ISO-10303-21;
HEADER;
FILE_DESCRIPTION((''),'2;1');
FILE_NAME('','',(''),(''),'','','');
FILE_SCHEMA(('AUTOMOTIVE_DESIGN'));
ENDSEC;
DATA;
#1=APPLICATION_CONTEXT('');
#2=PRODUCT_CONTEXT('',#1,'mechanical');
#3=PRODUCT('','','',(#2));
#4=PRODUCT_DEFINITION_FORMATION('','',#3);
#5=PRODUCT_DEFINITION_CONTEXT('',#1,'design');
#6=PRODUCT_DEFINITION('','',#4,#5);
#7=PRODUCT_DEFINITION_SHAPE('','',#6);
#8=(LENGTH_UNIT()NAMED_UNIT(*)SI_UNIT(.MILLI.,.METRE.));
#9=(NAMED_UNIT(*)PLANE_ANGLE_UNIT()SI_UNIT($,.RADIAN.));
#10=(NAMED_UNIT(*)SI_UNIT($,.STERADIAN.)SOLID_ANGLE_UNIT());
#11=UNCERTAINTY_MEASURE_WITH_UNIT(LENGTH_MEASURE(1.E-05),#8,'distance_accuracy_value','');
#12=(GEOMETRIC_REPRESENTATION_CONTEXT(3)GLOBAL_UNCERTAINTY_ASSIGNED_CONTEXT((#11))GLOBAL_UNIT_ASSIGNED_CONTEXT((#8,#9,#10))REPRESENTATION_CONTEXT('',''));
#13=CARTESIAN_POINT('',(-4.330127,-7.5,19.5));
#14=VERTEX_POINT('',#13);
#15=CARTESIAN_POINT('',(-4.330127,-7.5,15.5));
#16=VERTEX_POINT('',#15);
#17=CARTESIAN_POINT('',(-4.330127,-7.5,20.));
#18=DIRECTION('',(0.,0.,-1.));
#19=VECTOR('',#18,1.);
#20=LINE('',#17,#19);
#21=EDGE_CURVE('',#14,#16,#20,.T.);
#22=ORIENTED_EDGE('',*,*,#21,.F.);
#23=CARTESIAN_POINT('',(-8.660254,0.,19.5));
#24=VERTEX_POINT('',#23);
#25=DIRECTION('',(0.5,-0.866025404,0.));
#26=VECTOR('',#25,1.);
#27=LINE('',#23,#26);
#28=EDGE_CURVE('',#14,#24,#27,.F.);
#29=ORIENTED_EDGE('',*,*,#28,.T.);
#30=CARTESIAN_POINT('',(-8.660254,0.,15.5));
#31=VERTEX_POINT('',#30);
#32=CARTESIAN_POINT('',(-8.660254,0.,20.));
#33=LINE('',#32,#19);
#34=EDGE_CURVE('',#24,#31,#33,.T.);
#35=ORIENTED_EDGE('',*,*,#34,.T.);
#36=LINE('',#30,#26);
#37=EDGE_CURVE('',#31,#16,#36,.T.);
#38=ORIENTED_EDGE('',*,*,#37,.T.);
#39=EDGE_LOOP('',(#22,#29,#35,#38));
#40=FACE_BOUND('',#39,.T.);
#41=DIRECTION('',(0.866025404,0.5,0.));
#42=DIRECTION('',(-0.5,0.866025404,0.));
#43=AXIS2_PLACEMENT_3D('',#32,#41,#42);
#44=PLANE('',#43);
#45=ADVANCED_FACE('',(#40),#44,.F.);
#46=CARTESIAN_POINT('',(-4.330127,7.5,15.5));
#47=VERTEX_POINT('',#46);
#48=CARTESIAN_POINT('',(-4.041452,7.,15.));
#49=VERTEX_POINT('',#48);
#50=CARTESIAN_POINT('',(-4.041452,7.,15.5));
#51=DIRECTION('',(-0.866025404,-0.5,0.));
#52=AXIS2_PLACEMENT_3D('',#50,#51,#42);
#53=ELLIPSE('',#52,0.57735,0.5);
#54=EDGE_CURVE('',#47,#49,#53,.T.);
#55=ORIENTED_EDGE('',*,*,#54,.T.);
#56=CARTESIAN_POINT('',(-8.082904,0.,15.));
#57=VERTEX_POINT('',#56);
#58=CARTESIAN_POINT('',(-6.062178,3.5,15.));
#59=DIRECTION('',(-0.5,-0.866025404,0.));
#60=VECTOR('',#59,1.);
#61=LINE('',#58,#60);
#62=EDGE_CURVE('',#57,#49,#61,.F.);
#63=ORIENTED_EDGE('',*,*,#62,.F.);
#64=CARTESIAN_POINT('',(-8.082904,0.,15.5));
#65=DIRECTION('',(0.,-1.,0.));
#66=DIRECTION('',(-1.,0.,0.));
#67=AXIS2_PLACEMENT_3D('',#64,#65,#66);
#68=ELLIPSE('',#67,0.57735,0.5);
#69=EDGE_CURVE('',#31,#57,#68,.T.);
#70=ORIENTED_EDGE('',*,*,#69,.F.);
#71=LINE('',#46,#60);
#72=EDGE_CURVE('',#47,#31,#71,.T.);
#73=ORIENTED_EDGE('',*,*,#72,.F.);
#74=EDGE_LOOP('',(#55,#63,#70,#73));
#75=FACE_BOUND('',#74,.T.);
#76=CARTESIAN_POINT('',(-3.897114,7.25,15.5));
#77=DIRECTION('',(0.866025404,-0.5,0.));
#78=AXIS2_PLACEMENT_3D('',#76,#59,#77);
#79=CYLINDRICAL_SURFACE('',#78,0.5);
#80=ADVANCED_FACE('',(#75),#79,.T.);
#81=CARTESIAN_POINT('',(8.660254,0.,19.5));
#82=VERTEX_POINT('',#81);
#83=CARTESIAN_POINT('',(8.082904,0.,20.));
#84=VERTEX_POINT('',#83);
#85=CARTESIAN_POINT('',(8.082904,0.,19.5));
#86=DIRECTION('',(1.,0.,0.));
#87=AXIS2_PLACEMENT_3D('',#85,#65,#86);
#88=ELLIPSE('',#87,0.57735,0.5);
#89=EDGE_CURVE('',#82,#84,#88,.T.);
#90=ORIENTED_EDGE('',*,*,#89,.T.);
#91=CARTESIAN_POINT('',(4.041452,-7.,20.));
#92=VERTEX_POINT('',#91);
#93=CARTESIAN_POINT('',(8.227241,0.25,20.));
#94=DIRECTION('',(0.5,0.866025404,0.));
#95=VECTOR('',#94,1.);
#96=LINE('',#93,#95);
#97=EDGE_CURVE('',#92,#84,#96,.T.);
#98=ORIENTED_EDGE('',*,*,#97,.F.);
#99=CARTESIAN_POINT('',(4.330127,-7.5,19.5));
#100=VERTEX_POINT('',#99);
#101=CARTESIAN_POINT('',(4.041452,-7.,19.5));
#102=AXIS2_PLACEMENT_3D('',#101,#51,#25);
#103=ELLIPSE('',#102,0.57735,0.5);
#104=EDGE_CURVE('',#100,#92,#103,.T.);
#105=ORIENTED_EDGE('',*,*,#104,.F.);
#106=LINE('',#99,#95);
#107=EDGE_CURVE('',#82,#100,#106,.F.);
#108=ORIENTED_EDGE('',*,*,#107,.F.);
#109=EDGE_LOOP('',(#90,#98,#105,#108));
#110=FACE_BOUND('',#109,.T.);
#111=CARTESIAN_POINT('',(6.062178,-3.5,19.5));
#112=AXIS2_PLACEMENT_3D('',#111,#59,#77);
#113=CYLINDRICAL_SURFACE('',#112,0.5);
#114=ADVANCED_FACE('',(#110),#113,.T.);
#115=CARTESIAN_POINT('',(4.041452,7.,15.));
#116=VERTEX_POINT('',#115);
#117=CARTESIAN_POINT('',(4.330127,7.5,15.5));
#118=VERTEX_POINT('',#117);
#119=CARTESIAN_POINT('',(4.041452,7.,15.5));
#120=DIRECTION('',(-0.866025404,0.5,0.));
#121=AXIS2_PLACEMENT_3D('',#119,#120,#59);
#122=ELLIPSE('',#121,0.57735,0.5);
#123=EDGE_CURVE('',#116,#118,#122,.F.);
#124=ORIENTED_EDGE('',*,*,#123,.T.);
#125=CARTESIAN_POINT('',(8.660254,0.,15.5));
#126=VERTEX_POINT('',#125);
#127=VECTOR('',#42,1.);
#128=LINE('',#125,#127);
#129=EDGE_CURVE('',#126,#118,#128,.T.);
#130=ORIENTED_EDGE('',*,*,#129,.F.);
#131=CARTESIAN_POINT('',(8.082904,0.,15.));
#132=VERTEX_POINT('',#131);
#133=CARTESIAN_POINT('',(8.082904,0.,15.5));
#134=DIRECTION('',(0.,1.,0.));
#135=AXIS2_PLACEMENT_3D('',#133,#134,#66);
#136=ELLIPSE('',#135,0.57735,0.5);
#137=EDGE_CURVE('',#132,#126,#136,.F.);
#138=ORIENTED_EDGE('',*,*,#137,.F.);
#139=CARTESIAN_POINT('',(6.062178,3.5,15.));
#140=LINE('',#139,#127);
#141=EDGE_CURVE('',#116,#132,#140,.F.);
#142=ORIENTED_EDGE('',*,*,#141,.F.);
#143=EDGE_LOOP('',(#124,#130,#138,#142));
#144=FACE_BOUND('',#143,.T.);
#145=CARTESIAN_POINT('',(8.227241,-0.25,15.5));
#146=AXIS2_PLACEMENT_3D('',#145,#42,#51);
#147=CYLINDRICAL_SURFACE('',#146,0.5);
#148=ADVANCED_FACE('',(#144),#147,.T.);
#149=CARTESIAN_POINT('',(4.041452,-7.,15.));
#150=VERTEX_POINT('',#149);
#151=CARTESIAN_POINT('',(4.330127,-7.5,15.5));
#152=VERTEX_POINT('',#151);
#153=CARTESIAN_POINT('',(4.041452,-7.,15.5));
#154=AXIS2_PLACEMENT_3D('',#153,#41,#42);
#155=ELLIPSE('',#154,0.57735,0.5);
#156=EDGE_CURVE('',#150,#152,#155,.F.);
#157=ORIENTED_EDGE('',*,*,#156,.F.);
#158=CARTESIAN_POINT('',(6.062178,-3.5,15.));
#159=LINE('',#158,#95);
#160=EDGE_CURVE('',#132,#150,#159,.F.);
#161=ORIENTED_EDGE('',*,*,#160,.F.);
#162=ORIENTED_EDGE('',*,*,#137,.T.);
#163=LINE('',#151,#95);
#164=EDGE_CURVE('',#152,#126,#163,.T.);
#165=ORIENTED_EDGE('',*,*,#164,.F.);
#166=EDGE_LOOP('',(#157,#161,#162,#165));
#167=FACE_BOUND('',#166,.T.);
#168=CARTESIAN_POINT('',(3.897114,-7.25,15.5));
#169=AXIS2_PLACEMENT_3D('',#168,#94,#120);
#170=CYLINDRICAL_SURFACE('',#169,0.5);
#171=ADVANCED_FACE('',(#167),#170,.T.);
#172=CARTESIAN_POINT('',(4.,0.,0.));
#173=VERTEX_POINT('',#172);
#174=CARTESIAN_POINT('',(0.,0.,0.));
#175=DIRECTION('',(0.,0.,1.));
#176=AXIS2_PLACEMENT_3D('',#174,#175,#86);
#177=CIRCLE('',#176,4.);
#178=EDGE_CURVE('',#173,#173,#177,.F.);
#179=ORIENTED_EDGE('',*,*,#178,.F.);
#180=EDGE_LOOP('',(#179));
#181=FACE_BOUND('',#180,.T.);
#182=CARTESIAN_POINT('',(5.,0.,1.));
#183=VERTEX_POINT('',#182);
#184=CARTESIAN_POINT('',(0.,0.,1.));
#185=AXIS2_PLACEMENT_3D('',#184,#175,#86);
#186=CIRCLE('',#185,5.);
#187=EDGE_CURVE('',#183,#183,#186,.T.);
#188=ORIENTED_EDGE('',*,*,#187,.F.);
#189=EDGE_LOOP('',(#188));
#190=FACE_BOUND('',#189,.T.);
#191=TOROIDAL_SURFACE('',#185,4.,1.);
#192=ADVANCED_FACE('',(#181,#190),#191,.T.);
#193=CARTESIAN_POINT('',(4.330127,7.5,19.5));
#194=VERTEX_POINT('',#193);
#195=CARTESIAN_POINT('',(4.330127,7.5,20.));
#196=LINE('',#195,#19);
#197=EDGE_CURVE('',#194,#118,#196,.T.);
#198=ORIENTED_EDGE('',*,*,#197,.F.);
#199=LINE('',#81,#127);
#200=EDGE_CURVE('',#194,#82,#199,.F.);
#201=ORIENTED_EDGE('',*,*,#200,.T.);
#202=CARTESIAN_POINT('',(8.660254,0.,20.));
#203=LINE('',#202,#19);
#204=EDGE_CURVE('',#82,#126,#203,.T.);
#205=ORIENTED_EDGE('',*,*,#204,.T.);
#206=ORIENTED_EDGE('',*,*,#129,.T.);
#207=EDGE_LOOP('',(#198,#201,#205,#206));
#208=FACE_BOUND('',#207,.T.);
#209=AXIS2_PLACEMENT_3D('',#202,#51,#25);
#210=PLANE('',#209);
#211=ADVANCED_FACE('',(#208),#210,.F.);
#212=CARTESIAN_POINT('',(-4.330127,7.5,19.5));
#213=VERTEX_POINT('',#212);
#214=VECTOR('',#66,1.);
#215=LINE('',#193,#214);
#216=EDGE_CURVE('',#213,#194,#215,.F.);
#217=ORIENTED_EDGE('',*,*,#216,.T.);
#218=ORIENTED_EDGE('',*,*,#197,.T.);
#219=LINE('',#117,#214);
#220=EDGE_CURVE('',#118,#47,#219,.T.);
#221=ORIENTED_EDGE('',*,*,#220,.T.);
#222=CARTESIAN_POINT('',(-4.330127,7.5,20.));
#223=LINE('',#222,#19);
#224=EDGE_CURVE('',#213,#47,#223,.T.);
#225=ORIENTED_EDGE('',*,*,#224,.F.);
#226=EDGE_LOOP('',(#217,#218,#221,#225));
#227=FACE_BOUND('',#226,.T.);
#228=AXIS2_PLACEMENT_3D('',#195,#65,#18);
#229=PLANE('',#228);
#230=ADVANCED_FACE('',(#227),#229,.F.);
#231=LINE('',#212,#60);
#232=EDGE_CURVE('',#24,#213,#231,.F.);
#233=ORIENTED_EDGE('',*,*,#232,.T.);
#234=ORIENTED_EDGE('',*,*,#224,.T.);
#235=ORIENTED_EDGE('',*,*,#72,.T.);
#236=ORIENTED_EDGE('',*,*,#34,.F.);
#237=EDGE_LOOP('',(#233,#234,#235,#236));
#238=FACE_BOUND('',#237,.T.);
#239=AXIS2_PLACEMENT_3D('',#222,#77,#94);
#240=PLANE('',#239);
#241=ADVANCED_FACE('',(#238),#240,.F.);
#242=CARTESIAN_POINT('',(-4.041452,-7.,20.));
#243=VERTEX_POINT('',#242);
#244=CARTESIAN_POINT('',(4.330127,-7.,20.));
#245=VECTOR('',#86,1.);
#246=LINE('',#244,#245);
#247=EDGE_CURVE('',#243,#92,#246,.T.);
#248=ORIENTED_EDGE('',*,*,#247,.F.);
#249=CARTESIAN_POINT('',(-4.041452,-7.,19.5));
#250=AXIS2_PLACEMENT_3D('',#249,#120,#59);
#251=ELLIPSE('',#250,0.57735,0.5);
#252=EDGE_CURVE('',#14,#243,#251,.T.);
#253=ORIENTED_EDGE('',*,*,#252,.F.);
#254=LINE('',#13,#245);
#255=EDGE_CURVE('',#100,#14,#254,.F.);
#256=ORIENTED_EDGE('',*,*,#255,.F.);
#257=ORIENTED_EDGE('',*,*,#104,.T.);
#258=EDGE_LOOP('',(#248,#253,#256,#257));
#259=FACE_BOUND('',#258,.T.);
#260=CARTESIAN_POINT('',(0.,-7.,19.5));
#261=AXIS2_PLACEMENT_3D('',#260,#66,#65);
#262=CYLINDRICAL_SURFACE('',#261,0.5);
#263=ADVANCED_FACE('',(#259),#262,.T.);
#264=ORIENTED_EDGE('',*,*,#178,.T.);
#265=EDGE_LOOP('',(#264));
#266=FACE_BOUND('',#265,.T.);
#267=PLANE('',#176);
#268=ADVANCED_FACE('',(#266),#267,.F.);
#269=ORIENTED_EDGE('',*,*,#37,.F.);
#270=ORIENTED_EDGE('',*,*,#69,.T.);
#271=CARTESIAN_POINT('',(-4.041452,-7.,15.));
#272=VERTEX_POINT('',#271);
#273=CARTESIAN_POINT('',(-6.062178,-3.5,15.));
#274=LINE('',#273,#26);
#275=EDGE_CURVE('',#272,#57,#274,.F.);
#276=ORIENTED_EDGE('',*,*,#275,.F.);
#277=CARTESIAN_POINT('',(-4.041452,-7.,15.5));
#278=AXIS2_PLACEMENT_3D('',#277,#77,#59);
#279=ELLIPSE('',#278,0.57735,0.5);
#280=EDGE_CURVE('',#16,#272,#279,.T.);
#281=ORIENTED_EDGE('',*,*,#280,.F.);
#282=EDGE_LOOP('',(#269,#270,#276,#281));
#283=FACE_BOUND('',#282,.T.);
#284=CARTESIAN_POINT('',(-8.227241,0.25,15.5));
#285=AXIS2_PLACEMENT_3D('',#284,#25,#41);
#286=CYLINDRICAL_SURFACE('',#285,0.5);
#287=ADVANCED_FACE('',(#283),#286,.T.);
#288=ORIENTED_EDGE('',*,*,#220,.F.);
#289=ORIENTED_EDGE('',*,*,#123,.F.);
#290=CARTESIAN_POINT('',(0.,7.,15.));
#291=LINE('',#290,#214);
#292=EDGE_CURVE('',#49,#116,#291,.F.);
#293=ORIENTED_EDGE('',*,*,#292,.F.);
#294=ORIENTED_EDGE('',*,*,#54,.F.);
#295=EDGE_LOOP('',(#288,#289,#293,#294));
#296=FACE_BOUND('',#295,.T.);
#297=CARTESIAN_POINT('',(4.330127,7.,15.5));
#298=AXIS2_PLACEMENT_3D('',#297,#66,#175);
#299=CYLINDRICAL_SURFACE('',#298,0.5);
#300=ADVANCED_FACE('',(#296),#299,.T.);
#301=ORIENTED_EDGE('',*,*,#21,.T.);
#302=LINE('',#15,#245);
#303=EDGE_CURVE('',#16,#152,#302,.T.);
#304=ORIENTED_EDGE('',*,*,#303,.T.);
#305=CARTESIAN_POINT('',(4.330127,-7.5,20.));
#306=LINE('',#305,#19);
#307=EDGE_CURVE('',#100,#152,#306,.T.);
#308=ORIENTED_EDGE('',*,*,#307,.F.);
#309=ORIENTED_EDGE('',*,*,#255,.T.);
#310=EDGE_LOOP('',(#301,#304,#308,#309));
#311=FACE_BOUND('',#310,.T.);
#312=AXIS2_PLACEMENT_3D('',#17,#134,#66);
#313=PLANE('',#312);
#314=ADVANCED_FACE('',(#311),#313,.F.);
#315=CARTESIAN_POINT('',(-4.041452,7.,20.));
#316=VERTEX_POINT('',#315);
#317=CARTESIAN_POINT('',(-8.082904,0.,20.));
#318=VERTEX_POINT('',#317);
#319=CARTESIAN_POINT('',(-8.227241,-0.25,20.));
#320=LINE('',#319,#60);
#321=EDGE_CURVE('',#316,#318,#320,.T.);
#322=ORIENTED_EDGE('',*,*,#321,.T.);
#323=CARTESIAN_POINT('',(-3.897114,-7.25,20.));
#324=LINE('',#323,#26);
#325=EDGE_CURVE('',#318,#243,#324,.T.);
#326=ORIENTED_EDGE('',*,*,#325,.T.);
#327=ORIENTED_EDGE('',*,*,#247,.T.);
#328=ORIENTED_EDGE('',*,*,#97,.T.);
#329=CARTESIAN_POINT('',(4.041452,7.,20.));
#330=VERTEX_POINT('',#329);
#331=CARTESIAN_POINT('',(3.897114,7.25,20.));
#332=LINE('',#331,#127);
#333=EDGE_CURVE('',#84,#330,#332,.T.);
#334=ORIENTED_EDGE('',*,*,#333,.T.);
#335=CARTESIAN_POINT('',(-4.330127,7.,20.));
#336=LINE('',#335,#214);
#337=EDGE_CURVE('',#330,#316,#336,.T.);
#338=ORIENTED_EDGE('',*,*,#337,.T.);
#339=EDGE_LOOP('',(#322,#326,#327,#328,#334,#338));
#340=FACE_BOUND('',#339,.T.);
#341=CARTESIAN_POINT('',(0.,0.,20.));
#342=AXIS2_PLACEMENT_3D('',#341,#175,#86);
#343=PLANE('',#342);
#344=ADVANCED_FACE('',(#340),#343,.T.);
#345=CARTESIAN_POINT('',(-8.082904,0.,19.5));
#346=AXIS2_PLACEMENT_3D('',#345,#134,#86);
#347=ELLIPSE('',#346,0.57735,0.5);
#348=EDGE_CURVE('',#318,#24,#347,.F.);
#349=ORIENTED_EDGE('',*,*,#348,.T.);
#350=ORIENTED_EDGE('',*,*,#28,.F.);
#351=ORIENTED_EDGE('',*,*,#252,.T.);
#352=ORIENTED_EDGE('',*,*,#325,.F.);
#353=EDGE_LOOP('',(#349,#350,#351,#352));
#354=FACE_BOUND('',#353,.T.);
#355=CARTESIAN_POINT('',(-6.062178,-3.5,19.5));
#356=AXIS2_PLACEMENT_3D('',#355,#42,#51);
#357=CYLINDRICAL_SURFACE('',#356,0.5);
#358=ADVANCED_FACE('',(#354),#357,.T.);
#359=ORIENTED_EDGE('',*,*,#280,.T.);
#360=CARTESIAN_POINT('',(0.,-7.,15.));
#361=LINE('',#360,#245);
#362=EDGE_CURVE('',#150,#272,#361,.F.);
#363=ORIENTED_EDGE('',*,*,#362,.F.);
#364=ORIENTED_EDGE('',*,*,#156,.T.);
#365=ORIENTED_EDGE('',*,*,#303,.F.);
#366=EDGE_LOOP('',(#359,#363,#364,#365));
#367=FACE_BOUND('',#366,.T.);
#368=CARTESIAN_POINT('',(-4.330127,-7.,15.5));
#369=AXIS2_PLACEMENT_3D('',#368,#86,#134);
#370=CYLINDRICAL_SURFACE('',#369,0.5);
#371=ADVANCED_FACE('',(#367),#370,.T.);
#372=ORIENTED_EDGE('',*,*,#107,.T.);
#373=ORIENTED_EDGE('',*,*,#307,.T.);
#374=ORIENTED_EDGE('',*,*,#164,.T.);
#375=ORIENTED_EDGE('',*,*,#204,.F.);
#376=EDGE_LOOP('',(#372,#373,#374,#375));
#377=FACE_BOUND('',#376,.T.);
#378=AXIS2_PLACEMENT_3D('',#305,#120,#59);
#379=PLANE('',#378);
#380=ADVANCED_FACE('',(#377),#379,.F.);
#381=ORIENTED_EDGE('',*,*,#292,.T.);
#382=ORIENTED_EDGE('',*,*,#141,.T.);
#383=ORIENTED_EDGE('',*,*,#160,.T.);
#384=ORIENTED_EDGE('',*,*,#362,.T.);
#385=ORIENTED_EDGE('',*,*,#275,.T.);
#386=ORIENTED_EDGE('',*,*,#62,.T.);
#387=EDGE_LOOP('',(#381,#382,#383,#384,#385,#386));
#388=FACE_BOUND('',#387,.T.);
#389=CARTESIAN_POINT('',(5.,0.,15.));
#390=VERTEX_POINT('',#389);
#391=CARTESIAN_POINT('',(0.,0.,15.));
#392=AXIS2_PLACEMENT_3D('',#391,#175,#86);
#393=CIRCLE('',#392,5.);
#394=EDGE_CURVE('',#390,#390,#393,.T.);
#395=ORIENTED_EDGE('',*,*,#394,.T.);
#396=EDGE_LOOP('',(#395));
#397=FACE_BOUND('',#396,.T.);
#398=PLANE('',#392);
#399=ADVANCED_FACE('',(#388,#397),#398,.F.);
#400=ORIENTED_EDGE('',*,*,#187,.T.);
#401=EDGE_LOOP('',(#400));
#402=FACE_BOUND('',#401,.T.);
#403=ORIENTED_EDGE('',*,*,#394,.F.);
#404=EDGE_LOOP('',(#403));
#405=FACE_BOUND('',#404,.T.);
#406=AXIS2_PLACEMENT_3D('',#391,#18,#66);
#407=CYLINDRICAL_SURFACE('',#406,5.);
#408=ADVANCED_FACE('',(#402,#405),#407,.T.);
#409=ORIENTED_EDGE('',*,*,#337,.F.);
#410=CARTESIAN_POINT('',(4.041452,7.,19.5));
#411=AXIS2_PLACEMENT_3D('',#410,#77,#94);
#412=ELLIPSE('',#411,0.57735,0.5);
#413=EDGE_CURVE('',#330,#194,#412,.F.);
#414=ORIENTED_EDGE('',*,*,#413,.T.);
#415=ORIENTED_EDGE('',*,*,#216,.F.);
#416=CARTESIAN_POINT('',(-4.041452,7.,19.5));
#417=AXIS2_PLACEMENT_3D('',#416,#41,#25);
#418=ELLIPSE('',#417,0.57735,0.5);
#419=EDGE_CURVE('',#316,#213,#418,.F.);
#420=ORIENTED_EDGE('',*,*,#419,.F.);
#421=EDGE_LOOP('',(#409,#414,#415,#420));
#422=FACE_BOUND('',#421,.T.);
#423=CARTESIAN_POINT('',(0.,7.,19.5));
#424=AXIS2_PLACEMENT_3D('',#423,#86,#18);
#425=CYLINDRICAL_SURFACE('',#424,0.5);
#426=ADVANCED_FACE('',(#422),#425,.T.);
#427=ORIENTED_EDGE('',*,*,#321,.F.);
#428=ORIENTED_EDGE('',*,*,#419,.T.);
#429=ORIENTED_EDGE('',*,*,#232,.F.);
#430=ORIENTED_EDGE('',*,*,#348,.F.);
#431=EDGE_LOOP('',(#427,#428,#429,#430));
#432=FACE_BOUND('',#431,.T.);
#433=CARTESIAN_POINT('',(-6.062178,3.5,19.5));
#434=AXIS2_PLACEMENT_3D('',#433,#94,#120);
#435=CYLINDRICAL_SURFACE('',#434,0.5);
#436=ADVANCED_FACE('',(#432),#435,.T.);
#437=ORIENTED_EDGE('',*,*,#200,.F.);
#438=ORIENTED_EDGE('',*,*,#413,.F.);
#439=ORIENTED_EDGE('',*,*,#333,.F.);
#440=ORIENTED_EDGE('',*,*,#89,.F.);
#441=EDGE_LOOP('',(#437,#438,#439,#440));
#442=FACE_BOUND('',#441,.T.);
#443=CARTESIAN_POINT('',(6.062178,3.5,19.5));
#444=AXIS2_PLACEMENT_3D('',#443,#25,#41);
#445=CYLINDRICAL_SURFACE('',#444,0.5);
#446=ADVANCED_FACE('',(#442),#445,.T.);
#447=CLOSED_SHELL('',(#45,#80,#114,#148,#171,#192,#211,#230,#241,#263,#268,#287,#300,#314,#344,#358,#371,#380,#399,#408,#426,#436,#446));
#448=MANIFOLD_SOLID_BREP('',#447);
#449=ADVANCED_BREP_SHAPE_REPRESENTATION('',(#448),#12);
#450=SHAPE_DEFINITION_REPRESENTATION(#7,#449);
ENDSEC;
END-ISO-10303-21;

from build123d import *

# Parameters (mm, degrees)
SKETCH_1_R      = 5
EXTRUDE_1_DEPTH = 15
EXTRUDE_2_DEPTH = 5
FILLET_1_R      = 0.5
FILLET_2_R      = 1


with BuildPart() as part:
    # 草图1 → 凸台-拉伸1 (new body)
    with BuildSketch(Plane.XY):
        Circle(SKETCH_1_R)
    extrude(amount=EXTRUDE_1_DEPTH)

    # 草图2 → 凸台-拉伸2 (add)
    with BuildSketch(Plane.XY.offset(15)):
        Polygon((4.330127019, -7.5), (8.660254038, 0), (4.330127019, 7.5), (-4.330127019, 7.5), (-8.660254038, 0), (-4.330127019, -7.5), align=None)
    extrude(amount=EXTRUDE_2_DEPTH)

    # 圆角1
    fillet_1_edges = [part.edges().sort_by_distance(p)[0] for p in [
        (0, -7.5, 15),
        (6.495190528, -3.75, 15),
        (6.495190528, 3.75, 15),
        (0, 7.5, 15),
        (-6.495190528, 3.75, 15),
        (-6.495190528, -3.75, 15),
        (0, -7.5, 20),
        (6.495190528, -3.75, 20),
        (6.495190528, 3.75, 20),
        (0, 7.5, 20),
        (-6.495190528, 3.75, 20),
        (-6.495190528, -3.75, 20),
    ]]
    fillet(fillet_1_edges, radius=FILLET_1_R)

    # 圆角2
    fillet_2_edges = [part.edges().sort_by_distance(p)[0] for p in [
        (-5, 0, 0),
    ]]
    fillet(fillet_2_edges, radius=FILLET_2_R)


solid = part.part
